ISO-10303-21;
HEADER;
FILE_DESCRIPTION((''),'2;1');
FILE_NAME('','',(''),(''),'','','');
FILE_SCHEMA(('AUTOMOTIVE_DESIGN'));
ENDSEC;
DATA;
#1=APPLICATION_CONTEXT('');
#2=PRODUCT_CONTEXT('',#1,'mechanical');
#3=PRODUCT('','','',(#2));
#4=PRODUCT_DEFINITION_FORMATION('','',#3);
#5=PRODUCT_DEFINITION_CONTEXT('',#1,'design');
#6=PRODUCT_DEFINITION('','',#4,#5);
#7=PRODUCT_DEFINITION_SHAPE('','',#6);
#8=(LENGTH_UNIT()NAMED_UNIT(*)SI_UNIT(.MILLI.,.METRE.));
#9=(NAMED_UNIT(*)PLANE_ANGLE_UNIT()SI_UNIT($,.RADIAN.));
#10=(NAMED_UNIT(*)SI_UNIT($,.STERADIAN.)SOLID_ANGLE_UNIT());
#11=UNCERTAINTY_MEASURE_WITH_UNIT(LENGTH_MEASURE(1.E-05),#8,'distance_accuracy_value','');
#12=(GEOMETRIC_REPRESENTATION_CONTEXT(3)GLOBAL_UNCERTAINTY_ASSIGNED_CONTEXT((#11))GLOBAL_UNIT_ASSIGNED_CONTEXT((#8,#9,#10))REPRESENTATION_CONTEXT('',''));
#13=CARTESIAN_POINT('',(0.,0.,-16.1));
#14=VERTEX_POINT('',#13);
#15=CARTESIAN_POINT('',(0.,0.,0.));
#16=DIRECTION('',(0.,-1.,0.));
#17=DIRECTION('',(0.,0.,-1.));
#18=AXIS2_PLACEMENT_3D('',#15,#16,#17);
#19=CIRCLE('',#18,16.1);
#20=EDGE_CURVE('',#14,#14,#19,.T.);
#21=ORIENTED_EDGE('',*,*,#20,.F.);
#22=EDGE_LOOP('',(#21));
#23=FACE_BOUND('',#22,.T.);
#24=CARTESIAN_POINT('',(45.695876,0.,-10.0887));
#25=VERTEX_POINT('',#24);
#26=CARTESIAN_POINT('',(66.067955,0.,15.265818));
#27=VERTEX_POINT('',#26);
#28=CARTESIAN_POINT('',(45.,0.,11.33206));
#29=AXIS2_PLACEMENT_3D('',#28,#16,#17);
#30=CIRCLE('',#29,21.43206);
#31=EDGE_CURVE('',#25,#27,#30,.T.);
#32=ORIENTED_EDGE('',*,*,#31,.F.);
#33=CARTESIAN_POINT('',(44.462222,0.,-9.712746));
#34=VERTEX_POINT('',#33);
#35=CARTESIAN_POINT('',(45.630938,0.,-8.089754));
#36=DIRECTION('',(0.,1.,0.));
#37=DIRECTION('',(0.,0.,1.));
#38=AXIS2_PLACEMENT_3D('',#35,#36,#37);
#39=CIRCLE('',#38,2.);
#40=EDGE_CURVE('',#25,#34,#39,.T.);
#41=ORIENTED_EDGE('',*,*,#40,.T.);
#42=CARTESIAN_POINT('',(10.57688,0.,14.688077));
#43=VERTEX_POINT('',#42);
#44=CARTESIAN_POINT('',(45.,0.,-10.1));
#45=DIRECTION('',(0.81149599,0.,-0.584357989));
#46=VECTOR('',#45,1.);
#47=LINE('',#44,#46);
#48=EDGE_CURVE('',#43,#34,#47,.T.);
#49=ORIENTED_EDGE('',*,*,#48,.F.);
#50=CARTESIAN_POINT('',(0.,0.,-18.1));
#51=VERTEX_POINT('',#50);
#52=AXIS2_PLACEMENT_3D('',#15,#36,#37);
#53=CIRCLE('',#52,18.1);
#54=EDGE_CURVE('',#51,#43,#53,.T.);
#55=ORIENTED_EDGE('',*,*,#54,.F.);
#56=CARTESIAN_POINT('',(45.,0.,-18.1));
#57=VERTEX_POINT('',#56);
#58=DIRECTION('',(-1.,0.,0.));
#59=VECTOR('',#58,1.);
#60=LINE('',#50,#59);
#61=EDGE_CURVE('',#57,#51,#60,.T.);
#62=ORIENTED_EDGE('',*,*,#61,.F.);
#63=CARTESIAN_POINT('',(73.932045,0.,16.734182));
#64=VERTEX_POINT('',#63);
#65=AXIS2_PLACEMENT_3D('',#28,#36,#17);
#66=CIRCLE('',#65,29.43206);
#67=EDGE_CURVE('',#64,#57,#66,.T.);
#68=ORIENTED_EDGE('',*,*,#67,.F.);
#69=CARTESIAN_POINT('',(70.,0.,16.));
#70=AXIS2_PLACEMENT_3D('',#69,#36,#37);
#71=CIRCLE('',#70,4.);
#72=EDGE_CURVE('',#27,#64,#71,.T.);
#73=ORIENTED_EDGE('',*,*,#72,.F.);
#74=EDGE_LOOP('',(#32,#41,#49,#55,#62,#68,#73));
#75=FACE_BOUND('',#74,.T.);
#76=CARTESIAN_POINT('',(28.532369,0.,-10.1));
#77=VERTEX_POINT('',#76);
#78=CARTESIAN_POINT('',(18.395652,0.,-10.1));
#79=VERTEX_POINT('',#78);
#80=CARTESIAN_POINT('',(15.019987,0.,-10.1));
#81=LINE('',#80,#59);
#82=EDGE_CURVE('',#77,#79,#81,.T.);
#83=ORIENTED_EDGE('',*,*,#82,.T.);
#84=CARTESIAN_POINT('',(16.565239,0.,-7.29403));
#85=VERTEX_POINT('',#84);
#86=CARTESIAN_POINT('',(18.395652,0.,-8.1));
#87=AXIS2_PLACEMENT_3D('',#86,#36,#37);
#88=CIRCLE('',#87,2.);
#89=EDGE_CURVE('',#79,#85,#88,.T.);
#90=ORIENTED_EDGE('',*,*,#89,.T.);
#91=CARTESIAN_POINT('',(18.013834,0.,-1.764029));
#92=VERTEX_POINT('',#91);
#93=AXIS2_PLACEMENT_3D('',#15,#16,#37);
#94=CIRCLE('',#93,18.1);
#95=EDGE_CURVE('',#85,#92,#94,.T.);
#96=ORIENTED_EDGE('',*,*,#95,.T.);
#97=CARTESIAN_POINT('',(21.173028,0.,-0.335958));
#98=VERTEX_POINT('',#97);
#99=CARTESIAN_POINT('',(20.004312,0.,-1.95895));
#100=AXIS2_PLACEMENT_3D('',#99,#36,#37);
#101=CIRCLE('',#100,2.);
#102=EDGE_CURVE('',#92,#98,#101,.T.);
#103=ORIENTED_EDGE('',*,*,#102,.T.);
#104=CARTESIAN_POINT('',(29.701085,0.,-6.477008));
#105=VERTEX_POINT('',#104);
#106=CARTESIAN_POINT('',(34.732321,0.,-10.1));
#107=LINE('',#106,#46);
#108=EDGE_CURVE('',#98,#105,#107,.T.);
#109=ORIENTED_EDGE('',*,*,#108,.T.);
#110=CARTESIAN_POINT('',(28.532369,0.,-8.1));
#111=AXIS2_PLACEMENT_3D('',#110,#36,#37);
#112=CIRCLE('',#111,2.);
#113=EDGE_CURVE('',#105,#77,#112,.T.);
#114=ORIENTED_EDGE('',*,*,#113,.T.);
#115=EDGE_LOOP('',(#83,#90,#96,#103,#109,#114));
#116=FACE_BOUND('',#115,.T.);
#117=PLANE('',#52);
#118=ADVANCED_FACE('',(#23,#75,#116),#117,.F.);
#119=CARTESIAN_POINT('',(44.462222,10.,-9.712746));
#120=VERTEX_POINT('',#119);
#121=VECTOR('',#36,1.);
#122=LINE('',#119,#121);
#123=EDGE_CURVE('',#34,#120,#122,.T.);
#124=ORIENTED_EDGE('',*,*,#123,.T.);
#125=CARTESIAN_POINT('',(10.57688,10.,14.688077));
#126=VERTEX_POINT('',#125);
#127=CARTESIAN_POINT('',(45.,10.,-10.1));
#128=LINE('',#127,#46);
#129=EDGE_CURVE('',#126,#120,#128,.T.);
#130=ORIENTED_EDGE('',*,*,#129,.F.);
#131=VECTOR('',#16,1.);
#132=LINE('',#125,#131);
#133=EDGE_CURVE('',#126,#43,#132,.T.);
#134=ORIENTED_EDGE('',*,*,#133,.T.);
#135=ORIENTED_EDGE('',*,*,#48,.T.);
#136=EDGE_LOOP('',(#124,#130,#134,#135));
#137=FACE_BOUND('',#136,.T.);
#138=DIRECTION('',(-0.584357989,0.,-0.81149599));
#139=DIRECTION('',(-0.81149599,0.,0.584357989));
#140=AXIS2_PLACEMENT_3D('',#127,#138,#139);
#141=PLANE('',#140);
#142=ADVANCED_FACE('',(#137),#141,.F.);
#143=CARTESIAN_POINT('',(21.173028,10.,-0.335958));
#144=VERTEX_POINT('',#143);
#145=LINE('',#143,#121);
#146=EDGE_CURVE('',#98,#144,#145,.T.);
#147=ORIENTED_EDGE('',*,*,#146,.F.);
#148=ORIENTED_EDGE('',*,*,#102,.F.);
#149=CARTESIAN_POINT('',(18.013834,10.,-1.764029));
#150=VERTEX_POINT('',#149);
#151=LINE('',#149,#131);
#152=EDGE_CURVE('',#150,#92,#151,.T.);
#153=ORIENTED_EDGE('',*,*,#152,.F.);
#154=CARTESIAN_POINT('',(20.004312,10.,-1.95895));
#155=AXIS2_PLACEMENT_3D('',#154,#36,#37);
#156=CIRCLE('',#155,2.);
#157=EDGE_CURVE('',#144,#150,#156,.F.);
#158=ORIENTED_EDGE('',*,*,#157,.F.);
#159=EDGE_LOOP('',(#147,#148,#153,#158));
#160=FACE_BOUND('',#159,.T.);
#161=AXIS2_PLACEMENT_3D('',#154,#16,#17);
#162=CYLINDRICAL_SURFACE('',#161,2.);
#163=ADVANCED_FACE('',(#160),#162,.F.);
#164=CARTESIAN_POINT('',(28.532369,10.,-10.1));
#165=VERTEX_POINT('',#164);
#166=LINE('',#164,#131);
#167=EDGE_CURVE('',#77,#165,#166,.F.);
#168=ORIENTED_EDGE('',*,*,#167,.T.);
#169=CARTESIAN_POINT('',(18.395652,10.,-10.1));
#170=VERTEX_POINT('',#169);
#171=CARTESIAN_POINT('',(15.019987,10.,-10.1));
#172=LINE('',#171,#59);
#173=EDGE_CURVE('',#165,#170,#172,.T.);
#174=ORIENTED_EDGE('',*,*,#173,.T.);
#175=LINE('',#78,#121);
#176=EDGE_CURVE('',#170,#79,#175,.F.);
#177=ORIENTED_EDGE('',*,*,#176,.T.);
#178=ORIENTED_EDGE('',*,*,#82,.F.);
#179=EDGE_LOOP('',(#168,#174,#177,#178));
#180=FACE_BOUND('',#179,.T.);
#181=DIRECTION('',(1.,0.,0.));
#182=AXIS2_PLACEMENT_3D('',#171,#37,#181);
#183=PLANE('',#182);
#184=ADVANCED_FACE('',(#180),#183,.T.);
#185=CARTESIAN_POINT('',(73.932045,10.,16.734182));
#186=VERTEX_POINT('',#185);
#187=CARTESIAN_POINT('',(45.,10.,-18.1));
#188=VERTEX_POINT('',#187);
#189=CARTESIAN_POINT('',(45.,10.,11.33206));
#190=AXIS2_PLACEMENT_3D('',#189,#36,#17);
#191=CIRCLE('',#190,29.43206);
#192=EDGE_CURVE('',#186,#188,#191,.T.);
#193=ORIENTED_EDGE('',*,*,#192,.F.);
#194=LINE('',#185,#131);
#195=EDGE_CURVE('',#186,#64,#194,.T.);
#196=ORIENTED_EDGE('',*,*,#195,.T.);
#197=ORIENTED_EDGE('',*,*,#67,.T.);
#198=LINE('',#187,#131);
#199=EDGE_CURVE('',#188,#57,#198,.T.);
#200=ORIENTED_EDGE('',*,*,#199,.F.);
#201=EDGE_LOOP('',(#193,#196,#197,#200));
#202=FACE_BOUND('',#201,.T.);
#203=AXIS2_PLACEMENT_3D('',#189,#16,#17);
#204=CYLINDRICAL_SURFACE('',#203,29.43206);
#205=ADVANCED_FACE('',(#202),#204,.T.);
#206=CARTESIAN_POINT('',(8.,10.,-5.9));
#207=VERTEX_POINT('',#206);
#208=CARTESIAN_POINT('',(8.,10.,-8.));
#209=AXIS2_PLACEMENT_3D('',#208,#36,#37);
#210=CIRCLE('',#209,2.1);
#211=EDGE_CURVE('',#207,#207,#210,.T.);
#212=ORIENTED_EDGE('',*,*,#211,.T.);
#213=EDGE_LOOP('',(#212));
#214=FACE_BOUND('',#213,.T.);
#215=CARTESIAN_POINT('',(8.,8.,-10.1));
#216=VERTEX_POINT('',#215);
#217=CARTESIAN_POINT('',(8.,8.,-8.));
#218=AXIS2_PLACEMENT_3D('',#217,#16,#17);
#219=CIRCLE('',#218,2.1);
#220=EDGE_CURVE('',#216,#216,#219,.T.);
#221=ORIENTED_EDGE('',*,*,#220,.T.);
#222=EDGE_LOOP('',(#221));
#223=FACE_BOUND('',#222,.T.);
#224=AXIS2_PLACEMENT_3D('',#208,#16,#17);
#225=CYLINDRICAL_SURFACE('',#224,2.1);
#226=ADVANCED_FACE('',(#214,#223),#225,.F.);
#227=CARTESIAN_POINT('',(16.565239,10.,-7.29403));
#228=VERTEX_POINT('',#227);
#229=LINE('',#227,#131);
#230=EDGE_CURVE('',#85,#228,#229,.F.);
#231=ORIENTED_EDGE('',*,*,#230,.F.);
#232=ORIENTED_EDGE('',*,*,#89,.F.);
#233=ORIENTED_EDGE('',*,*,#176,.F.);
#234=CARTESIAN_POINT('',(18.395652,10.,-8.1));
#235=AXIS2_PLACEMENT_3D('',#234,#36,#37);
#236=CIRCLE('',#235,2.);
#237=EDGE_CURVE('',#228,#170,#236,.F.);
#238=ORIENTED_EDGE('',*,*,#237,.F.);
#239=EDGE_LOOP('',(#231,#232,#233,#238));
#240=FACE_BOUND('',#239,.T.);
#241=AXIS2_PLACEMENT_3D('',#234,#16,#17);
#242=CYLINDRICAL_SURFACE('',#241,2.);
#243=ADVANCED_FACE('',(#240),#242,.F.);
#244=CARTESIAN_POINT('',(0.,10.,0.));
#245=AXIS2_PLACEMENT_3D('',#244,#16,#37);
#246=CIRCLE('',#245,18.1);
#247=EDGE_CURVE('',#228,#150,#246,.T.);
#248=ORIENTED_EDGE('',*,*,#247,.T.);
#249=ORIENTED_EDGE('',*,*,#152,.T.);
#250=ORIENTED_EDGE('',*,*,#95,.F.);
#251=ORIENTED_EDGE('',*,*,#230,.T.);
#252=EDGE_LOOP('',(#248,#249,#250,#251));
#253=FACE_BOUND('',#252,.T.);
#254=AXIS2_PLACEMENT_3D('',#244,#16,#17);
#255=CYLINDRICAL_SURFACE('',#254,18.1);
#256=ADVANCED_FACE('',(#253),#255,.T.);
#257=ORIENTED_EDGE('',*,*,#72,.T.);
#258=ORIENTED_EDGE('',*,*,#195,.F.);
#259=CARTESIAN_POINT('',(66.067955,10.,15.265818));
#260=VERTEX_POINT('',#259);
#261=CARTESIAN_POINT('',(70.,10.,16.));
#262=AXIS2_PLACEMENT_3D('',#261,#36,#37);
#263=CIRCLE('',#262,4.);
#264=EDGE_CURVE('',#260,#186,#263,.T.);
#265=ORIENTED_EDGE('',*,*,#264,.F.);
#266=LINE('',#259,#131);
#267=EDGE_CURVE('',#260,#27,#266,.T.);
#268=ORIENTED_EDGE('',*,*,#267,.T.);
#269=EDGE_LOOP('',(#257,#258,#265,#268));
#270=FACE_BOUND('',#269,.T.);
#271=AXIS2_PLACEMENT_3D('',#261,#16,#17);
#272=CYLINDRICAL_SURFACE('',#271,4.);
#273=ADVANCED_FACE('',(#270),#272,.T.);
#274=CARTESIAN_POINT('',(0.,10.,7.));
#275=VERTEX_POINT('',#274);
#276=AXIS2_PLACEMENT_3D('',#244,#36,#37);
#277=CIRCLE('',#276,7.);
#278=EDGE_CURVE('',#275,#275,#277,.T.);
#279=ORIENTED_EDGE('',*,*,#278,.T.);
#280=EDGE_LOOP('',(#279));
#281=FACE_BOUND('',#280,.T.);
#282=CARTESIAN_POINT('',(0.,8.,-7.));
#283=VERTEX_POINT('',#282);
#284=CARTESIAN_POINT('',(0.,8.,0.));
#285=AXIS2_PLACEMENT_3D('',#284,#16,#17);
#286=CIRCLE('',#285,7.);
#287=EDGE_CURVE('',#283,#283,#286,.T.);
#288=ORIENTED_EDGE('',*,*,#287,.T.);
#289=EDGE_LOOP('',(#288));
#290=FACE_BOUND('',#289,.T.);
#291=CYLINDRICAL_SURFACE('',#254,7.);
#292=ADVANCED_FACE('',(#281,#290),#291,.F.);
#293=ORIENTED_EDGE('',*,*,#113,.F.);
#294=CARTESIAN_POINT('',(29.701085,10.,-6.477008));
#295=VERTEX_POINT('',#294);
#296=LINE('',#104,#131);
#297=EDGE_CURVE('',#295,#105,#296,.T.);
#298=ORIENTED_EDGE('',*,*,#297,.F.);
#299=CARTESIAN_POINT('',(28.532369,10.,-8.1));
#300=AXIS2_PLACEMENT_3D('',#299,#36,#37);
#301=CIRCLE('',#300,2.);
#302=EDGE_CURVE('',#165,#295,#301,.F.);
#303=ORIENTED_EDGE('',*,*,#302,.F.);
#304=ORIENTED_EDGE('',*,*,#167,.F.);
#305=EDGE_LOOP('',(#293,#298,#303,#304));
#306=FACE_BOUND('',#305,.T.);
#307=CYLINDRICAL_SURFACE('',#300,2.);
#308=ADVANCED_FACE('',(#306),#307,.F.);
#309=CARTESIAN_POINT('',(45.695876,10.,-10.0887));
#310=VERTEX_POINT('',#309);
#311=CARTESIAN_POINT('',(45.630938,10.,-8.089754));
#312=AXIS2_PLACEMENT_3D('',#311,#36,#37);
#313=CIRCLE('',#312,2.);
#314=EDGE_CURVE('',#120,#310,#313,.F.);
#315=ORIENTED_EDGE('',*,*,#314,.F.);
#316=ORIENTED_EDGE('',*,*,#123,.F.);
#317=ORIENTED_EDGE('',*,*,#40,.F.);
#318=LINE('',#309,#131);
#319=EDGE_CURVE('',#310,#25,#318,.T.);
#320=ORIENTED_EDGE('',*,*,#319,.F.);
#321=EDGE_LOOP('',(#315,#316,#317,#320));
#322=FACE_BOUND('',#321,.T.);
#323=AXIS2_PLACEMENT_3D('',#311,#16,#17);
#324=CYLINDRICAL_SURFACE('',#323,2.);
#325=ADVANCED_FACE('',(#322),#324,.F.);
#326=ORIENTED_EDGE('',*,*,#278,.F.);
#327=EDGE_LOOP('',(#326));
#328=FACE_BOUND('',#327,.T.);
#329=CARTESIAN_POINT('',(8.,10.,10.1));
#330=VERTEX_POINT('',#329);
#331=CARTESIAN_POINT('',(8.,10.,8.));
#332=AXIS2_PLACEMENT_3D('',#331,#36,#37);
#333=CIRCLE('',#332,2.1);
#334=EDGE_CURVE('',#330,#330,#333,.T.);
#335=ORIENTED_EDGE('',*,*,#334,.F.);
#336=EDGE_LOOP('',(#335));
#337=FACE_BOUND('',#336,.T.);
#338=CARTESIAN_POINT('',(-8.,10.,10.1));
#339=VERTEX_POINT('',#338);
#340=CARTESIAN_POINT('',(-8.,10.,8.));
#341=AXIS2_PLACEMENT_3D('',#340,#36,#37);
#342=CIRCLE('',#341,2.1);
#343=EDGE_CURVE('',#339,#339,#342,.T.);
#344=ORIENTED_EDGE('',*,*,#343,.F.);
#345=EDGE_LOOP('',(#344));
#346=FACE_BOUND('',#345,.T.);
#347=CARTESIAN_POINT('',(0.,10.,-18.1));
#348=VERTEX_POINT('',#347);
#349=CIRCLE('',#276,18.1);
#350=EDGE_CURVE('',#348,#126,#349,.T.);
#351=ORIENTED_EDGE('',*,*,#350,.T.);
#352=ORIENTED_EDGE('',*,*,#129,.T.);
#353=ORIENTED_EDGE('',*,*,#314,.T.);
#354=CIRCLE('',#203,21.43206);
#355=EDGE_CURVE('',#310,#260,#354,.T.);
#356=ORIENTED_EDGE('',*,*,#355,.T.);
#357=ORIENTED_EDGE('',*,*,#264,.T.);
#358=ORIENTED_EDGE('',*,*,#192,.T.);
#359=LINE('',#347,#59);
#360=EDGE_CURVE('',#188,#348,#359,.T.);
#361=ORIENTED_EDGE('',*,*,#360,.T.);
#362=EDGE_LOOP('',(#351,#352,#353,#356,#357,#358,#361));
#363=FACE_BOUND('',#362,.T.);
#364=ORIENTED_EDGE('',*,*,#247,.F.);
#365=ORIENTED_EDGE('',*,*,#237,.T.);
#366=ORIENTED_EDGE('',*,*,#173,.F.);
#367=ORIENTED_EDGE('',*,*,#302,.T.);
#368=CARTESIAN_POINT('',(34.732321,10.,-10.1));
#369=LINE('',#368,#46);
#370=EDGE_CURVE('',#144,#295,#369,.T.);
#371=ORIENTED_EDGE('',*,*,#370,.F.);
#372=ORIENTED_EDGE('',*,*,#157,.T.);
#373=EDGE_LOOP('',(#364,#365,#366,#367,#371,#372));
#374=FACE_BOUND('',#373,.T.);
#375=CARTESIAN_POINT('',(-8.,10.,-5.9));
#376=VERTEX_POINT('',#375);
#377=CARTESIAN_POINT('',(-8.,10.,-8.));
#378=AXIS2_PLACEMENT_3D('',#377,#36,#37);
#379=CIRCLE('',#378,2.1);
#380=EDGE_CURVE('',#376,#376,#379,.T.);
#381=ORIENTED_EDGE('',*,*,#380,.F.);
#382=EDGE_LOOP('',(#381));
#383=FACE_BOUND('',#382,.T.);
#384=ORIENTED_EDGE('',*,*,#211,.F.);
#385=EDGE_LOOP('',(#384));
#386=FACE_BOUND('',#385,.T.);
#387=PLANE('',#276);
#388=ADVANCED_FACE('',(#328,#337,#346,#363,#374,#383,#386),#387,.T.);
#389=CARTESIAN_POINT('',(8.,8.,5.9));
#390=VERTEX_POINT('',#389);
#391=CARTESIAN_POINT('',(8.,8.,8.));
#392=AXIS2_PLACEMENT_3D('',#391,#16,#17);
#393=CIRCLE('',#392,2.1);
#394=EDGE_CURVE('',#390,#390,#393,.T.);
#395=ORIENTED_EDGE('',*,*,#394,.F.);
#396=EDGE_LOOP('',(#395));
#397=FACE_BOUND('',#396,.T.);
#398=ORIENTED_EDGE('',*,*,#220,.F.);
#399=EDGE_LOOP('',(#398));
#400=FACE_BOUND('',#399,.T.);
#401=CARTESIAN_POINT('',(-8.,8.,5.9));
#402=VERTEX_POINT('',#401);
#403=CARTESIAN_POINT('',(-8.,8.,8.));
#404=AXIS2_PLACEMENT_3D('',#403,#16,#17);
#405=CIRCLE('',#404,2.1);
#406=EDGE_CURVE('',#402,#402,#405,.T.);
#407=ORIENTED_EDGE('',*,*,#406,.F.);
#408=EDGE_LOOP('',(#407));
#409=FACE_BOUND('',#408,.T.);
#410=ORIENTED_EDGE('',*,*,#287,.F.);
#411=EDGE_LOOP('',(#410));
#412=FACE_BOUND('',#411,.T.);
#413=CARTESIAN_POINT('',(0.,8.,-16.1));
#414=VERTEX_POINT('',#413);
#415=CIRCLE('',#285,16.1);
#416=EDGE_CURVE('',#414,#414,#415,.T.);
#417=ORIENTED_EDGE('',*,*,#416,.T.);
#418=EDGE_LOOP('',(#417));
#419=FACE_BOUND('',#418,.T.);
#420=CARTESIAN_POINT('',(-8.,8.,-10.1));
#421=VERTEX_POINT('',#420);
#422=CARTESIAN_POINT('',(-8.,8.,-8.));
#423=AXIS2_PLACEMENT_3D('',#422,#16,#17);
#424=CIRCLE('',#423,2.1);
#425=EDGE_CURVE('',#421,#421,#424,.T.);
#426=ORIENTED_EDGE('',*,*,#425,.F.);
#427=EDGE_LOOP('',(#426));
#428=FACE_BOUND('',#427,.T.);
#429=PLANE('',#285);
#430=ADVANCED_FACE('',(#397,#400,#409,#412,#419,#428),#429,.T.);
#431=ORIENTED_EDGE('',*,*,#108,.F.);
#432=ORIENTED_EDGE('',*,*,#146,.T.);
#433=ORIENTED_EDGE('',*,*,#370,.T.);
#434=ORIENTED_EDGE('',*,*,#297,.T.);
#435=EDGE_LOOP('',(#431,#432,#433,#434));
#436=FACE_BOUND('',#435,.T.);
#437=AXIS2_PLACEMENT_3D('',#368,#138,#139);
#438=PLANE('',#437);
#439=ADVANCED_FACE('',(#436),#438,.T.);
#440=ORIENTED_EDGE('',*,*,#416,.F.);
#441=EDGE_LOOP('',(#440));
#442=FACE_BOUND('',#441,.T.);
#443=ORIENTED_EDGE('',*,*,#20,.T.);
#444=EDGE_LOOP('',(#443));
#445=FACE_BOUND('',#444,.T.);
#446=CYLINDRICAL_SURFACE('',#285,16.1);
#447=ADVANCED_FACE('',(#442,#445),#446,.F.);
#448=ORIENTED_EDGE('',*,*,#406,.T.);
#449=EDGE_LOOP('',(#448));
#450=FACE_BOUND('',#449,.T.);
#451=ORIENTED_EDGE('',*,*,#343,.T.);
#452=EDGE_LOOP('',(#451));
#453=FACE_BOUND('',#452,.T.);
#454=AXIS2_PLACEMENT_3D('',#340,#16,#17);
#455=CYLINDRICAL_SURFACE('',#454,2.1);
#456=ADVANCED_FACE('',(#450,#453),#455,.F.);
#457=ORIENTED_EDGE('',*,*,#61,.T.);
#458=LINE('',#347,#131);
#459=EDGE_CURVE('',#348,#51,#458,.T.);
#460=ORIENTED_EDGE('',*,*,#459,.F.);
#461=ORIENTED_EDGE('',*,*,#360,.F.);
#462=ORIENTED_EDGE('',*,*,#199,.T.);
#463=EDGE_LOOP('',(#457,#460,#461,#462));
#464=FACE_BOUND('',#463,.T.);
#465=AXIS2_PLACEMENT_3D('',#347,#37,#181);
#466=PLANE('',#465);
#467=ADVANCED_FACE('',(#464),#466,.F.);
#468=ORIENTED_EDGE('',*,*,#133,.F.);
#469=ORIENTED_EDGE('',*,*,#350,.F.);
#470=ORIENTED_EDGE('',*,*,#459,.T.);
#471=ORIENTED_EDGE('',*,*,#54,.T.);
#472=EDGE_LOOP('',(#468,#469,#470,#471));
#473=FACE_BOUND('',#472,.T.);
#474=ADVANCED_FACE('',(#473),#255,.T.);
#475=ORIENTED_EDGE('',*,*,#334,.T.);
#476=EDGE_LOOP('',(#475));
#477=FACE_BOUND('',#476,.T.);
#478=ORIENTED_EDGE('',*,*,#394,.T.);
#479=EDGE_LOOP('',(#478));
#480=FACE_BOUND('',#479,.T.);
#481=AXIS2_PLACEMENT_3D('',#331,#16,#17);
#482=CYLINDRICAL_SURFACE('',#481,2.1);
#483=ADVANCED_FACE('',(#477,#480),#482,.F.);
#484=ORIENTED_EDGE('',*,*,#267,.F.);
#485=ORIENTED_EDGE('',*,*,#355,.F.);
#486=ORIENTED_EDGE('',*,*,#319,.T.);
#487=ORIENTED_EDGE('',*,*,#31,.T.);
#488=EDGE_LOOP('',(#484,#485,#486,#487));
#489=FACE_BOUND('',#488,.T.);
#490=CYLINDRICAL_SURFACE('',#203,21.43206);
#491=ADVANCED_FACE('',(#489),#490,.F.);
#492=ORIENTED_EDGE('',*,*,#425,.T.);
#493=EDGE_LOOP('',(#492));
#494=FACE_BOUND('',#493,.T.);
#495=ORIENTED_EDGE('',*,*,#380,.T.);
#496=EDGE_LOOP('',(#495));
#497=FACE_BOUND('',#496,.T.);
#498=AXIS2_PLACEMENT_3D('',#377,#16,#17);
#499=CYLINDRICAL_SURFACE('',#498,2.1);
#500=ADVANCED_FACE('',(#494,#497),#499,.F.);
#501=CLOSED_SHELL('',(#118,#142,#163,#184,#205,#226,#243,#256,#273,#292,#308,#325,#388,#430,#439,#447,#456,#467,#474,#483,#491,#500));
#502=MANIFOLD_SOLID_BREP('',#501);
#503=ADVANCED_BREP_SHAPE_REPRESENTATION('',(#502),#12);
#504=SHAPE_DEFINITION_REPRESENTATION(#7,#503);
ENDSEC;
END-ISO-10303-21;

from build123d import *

# Parameters (mm, degrees)
SKETCH1_R           = 2.1
SKETCH1_R_2         = 7
BOSS_EXTRUDE1_DEPTH = 10
FILLET1_R           = 2
SKETCH2_R           = 16.1
CUT_EXTRUDE1_DEPTH  = 8


with BuildPart() as part:
    # Sketch1 → Boss-Extrude1 (new body)
    with BuildSketch(Plane(origin=(0, 0, 0), x_dir=(1, 0, 0), z_dir=(0, 1, 0))):
        with BuildLine():
            Line((0, 18.1), (45, 18.1))
            ThreePointArc((45, 18.1), (67.641132128, 7.472867216), (73.932044859, -16.734182011))
            ThreePointArc((73.932044859, -16.734182011), (69.265817989, -19.932044859), (66.067955141, -15.265817989))
            ThreePointArc((66.067955141, -15.265817989), (61.486990751, 2.361454112), (45, 10.1))
            Line((45, 10.1), (10.576879596, -14.68807741))
            ThreePointArc((10.576879596, -14.68807741), (-17.225913635, -5.556788591), (0, 18.1))
        make_face()
        with Locations(Location((-8, 8, 0), (0, 0, 270))):
            Circle(SKETCH1_R, mode=Mode.SUBTRACT)
        with Locations(Location((8, 8, 0), (0, 0, 270))):
            Circle(SKETCH1_R, mode=Mode.SUBTRACT)
        with Locations(Location((8, -8, 0), (0, 0, 270))):
            Circle(SKETCH1_R, mode=Mode.SUBTRACT)
        with Locations(Location((-8, -8, 0), (0, 0, 270))):
            Circle(SKETCH1_R, mode=Mode.SUBTRACT)
        with Locations(Location((0, 0, 0), (0, 0, 270))):
            Circle(SKETCH1_R_2, mode=Mode.SUBTRACT)
        with BuildLine():
            Line((15.019986684, 10.1), (34.732321427, 10.1))
            Line((34.732321427, 10.1), (17.994323759, -1.953026484))
            ThreePointArc((17.994323759, -1.953026484), (17.572849381, 4.336469143), (15.019986684, 10.1))
        make_face(mode=Mode.SUBTRACT)
    extrude(amount=BOSS_EXTRUDE1_DEPTH)

    # Fillet1
    fillet1_edges = [part.edges().sort_by_distance(p)[0] for p in [
        (45, 5, -10.1),
        (15.019986684, 5, -10.1),
        (17.994323759, 5, 1.953026484),
        (34.732321427, 5, -10.1),
    ]]
    fillet(fillet1_edges, radius=FILLET1_R)

    # Sketch2 → Cut-Extrude1 (cut)
    with BuildSketch(Plane.XZ):
        with Locations(Location((0, 0, 0), (0, 0, 270))):
            Circle(SKETCH2_R)
    extrude(amount=-CUT_EXTRUDE1_DEPTH, mode=Mode.SUBTRACT)


solid = part.part
